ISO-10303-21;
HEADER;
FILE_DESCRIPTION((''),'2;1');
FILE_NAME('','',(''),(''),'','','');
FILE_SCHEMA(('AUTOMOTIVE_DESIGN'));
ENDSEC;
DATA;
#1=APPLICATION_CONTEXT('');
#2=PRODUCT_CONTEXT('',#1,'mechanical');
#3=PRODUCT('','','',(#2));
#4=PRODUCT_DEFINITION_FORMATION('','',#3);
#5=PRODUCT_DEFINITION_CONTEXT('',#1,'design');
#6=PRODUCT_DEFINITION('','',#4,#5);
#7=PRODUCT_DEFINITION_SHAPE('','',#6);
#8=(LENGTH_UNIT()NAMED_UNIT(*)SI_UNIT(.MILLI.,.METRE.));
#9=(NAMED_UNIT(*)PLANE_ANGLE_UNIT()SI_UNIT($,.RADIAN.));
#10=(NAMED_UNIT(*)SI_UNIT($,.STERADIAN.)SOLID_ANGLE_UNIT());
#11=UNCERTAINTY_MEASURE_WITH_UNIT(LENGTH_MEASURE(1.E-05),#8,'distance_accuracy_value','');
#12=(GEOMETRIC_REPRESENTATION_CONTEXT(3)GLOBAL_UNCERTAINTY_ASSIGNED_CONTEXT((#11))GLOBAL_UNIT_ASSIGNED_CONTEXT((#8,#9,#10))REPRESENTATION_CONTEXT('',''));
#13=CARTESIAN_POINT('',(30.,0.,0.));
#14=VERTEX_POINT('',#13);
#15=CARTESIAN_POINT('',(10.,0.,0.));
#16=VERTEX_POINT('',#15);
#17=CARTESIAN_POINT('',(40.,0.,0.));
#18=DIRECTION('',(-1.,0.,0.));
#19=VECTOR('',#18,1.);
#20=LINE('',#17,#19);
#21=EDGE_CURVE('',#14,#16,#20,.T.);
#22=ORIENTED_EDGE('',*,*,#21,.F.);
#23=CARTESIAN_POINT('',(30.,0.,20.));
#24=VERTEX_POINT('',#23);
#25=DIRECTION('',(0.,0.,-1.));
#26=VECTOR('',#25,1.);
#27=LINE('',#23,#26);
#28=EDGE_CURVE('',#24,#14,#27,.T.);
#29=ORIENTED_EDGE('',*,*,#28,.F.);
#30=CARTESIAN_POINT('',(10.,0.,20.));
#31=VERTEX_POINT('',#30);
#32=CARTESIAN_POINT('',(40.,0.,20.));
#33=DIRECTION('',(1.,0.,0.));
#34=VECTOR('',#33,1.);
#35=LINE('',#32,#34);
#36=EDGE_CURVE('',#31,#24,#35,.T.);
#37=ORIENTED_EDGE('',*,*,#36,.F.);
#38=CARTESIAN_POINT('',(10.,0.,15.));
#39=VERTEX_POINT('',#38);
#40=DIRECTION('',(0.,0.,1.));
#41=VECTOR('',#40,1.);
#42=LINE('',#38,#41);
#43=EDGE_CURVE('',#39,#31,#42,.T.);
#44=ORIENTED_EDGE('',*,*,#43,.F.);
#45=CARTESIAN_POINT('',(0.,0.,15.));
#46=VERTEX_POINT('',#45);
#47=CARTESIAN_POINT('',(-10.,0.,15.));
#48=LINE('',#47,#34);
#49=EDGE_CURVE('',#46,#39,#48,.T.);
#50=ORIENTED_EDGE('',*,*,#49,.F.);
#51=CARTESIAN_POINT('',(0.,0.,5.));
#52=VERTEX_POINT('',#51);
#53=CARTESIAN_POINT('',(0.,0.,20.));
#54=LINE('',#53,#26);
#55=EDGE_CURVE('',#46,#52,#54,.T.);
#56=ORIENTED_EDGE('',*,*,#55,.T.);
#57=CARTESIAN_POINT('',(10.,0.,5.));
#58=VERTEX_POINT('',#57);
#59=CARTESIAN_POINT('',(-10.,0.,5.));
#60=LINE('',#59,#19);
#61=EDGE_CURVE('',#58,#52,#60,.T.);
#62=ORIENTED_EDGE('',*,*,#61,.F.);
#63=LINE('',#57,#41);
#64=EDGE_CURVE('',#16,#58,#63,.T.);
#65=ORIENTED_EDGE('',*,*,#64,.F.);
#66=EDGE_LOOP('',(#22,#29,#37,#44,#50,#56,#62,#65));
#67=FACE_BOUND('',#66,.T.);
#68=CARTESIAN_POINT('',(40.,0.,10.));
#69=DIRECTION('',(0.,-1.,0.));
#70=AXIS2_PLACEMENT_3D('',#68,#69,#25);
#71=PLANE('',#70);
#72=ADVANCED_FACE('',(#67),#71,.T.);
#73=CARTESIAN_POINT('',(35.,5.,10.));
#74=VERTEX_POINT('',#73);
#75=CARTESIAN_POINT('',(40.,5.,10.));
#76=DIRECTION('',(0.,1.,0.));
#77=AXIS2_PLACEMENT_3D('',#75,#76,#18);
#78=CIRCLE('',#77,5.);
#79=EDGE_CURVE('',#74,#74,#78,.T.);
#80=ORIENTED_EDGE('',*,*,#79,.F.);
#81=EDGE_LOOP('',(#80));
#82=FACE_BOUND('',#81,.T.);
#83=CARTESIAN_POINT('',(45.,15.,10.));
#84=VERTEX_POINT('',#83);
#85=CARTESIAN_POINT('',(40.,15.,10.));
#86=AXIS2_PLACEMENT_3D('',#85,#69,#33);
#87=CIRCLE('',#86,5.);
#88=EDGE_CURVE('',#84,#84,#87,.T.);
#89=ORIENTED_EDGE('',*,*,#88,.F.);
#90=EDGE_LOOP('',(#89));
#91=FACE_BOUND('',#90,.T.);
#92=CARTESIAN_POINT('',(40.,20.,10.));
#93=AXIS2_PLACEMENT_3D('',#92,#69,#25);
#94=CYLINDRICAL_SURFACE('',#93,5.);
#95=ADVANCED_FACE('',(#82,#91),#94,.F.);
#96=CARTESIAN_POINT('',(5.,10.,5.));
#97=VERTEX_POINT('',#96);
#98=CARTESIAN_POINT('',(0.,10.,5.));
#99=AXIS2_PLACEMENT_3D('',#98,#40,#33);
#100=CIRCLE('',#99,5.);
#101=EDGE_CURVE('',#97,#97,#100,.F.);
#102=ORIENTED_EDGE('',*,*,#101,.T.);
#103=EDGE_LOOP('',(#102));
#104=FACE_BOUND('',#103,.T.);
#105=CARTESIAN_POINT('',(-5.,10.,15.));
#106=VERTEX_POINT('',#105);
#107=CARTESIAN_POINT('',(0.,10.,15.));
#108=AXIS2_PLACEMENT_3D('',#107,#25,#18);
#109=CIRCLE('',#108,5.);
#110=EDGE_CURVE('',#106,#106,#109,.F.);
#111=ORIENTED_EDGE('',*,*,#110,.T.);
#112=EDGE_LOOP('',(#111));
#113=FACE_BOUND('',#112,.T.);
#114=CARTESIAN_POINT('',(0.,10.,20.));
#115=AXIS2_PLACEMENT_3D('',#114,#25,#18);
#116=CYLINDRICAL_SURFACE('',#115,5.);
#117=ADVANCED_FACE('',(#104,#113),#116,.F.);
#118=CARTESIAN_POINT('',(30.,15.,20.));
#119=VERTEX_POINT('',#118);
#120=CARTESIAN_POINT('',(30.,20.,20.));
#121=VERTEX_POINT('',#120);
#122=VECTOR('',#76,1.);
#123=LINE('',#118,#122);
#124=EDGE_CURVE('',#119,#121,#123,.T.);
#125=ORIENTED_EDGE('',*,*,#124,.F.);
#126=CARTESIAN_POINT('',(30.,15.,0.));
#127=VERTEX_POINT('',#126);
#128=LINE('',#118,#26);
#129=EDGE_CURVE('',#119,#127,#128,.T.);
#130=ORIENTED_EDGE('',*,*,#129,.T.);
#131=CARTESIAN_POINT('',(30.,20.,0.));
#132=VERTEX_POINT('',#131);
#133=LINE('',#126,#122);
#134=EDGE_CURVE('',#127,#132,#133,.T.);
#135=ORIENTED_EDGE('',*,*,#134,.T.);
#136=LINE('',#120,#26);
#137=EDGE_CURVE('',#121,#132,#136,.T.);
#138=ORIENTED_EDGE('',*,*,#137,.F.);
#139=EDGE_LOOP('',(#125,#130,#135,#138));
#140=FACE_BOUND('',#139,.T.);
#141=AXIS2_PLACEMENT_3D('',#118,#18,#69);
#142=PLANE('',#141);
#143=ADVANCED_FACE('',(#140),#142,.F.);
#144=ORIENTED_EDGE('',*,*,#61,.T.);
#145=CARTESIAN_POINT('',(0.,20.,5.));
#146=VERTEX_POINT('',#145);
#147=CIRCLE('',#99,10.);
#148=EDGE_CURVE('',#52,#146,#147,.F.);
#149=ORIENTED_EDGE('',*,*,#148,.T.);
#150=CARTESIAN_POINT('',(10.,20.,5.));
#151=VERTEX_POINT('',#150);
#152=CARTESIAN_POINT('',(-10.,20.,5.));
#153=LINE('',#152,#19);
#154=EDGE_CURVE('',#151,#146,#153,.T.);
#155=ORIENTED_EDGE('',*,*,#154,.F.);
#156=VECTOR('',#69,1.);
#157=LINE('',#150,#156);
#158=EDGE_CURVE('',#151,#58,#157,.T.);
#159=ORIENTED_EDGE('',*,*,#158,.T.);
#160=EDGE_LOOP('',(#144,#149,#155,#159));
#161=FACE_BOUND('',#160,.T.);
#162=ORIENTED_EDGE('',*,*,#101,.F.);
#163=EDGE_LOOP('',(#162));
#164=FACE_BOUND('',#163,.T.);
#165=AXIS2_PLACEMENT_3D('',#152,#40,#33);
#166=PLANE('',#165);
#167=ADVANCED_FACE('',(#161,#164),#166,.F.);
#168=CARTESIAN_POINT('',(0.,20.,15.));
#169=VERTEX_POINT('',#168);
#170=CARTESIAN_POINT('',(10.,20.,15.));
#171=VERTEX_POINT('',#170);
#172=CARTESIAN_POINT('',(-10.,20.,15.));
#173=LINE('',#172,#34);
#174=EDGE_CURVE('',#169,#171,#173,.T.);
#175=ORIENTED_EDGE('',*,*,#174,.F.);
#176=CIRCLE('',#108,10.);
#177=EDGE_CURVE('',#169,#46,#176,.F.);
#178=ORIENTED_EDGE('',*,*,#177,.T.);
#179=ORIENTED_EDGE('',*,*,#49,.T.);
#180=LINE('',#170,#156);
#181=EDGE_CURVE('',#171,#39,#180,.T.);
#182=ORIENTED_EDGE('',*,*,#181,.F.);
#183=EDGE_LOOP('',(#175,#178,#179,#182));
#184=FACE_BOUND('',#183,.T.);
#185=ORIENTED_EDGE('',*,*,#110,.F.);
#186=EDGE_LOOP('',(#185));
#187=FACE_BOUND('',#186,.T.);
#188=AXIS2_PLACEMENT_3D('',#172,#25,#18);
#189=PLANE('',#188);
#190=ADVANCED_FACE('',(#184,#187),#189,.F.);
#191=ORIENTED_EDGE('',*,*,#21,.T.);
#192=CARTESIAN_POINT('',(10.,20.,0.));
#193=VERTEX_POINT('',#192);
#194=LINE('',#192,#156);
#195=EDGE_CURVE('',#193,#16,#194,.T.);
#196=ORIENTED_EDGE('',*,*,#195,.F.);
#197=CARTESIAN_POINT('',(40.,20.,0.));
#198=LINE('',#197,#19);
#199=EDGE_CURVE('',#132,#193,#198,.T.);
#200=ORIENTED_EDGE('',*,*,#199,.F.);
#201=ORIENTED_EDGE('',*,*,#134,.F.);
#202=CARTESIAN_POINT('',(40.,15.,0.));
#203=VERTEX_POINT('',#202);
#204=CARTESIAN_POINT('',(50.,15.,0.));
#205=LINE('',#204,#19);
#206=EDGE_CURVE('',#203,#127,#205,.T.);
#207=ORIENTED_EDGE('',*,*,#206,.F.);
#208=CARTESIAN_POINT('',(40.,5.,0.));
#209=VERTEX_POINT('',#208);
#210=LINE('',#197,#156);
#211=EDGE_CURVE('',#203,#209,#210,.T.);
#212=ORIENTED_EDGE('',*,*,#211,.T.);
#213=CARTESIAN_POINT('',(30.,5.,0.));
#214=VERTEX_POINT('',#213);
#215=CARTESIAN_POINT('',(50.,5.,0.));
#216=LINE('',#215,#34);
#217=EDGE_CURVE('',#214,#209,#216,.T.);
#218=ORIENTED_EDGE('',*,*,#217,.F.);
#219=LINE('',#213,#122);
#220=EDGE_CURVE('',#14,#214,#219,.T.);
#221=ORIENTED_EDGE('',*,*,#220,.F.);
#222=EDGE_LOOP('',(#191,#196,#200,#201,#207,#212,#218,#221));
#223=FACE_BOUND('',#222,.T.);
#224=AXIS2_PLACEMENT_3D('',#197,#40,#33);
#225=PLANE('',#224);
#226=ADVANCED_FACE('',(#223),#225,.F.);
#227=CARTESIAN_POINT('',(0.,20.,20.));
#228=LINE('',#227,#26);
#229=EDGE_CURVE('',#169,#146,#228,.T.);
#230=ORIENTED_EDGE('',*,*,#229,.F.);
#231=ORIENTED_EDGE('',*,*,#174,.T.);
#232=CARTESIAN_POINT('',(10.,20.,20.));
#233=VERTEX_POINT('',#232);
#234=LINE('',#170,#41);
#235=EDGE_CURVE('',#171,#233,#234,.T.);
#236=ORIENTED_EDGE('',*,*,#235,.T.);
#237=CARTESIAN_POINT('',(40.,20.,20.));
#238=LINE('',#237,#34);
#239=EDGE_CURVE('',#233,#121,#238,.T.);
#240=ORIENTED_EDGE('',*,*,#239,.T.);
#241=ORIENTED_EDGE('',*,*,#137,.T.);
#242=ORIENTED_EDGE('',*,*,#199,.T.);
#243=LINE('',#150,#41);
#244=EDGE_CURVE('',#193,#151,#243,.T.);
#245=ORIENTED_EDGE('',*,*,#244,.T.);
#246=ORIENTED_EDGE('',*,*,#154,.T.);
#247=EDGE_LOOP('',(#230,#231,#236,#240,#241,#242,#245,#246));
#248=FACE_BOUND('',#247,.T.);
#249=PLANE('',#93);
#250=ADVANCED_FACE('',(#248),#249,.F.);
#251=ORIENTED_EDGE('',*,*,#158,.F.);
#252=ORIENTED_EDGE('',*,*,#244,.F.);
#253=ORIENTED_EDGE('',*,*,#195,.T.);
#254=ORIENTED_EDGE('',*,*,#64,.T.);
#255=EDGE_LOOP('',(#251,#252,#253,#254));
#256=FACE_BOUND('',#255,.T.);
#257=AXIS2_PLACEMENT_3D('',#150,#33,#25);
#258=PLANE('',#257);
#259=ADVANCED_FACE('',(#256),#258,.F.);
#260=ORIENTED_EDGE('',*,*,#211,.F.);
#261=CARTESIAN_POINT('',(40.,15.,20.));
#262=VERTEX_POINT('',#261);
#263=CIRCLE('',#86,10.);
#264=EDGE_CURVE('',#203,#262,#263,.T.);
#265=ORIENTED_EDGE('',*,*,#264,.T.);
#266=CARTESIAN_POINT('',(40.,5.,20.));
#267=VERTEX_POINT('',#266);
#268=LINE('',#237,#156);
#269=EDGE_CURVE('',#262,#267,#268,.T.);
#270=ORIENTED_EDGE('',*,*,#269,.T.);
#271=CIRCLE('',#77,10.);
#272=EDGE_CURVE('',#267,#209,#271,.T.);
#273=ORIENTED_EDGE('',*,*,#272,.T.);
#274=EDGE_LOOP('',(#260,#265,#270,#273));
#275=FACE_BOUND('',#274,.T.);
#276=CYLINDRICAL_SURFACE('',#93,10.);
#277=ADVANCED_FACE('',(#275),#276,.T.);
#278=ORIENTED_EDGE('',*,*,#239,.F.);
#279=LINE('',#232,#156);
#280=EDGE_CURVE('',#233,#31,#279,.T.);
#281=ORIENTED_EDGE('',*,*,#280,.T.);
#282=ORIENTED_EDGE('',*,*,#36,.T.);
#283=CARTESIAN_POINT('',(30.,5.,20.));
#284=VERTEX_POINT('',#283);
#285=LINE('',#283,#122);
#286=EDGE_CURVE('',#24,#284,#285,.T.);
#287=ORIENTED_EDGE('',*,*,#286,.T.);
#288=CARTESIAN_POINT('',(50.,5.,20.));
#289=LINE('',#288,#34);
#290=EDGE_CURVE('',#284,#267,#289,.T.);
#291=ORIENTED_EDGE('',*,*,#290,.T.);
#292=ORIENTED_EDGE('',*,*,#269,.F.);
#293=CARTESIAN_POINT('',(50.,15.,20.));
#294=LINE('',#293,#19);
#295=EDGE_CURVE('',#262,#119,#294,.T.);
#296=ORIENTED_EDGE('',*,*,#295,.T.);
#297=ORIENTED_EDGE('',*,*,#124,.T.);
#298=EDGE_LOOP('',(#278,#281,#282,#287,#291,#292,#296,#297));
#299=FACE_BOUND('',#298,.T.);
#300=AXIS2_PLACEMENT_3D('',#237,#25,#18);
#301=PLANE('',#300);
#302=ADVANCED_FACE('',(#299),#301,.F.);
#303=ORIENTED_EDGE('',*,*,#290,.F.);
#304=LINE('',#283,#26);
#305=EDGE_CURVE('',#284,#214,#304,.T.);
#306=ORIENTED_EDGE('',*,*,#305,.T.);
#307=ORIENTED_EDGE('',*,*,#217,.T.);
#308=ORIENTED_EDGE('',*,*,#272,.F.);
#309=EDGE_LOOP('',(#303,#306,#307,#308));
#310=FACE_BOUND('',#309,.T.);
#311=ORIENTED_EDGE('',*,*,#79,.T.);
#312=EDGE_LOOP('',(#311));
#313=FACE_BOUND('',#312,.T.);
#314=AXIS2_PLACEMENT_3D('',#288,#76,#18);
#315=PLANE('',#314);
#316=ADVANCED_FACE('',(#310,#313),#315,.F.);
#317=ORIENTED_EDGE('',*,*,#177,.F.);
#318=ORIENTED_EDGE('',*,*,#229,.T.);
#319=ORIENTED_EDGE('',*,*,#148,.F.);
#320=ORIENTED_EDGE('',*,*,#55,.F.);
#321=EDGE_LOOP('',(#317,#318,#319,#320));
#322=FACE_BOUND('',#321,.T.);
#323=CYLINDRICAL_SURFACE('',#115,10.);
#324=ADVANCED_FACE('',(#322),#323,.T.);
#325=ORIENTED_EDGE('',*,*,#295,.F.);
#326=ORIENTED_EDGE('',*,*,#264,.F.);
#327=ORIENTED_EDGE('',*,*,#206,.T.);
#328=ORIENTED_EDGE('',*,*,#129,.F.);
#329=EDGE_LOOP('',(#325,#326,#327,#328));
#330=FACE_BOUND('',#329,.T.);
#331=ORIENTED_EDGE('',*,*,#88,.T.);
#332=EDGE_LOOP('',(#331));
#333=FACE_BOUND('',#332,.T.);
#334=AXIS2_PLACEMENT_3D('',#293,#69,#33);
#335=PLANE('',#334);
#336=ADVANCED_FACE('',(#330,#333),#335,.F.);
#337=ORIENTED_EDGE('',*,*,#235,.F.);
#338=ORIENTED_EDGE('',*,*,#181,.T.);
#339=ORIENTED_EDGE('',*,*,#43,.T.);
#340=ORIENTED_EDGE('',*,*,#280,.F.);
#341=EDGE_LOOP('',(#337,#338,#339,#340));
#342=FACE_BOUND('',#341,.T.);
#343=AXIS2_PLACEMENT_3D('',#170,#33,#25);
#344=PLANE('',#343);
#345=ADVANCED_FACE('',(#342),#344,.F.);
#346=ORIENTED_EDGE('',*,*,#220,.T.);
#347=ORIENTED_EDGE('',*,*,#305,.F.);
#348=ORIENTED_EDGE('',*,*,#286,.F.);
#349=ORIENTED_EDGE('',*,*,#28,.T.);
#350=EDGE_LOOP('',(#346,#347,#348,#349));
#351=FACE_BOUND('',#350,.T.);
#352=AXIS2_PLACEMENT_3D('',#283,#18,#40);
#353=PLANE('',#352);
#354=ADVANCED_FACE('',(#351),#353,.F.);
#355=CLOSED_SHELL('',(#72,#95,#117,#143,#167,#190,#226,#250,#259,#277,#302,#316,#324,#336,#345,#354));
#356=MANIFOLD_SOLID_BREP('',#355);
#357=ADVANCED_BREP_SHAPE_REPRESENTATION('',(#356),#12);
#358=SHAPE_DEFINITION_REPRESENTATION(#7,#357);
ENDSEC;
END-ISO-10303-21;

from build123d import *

# Parameters (mm, degrees)
ESQUISSE1_R        = 5
BOSS_EXTRU_1_DEPTH = 20
ESQUISSE2_R        = 5
BOSS_EXTRU_2_DEPTH = 20


with BuildPart() as part:
    # Esquisse1 → Boss.-Extru.1 (new body)
    with BuildSketch(Plane.XY):
        with BuildLine():
            Line((50, 5), (50, 15))
            Line((50, 15), (30, 15))
            Line((30, 15), (30, 20))
            Line((30, 20), (0, 20))
            ThreePointArc((0, 20), (-10, 10), (0, 0))
            Line((0, 0), (30, 0))
            Line((30, 0), (30, 5))
            Line((30, 5), (50, 5))
        make_face()
        with Locations((0, 10)):
            Circle(ESQUISSE1_R, mode=Mode.SUBTRACT)
    extrude(amount=BOSS_EXTRU_1_DEPTH)


with BuildPart() as body_2:
    # Esquisse2 → Boss.-Extru.2 (new body)
    with BuildSketch(Plane(origin=(0, 0, 0), x_dir=(1, 0, 0), z_dir=(0, 1, 0))):
        with BuildLine():
            Line((-10, -5), (-10, -15))
            Line((-10, -15), (10, -15))
            Line((10, -15), (10, -20))
            Line((10, -20), (40, -20))
            ThreePointArc((40, -20), (50, -10), (40, 0))
            Line((40, 0), (10, 0))
            Line((10, 0), (10, -5))
            Line((10, -5), (-10, -5))
        make_face()
        with Locations((40, -10)):
            Circle(ESQUISSE2_R, mode=Mode.SUBTRACT)
    extrude(amount=BOSS_EXTRU_2_DEPTH)

    # Combiner1: intersect part
    add(part.part, mode=Mode.INTERSECT)


solid = body_2.part
